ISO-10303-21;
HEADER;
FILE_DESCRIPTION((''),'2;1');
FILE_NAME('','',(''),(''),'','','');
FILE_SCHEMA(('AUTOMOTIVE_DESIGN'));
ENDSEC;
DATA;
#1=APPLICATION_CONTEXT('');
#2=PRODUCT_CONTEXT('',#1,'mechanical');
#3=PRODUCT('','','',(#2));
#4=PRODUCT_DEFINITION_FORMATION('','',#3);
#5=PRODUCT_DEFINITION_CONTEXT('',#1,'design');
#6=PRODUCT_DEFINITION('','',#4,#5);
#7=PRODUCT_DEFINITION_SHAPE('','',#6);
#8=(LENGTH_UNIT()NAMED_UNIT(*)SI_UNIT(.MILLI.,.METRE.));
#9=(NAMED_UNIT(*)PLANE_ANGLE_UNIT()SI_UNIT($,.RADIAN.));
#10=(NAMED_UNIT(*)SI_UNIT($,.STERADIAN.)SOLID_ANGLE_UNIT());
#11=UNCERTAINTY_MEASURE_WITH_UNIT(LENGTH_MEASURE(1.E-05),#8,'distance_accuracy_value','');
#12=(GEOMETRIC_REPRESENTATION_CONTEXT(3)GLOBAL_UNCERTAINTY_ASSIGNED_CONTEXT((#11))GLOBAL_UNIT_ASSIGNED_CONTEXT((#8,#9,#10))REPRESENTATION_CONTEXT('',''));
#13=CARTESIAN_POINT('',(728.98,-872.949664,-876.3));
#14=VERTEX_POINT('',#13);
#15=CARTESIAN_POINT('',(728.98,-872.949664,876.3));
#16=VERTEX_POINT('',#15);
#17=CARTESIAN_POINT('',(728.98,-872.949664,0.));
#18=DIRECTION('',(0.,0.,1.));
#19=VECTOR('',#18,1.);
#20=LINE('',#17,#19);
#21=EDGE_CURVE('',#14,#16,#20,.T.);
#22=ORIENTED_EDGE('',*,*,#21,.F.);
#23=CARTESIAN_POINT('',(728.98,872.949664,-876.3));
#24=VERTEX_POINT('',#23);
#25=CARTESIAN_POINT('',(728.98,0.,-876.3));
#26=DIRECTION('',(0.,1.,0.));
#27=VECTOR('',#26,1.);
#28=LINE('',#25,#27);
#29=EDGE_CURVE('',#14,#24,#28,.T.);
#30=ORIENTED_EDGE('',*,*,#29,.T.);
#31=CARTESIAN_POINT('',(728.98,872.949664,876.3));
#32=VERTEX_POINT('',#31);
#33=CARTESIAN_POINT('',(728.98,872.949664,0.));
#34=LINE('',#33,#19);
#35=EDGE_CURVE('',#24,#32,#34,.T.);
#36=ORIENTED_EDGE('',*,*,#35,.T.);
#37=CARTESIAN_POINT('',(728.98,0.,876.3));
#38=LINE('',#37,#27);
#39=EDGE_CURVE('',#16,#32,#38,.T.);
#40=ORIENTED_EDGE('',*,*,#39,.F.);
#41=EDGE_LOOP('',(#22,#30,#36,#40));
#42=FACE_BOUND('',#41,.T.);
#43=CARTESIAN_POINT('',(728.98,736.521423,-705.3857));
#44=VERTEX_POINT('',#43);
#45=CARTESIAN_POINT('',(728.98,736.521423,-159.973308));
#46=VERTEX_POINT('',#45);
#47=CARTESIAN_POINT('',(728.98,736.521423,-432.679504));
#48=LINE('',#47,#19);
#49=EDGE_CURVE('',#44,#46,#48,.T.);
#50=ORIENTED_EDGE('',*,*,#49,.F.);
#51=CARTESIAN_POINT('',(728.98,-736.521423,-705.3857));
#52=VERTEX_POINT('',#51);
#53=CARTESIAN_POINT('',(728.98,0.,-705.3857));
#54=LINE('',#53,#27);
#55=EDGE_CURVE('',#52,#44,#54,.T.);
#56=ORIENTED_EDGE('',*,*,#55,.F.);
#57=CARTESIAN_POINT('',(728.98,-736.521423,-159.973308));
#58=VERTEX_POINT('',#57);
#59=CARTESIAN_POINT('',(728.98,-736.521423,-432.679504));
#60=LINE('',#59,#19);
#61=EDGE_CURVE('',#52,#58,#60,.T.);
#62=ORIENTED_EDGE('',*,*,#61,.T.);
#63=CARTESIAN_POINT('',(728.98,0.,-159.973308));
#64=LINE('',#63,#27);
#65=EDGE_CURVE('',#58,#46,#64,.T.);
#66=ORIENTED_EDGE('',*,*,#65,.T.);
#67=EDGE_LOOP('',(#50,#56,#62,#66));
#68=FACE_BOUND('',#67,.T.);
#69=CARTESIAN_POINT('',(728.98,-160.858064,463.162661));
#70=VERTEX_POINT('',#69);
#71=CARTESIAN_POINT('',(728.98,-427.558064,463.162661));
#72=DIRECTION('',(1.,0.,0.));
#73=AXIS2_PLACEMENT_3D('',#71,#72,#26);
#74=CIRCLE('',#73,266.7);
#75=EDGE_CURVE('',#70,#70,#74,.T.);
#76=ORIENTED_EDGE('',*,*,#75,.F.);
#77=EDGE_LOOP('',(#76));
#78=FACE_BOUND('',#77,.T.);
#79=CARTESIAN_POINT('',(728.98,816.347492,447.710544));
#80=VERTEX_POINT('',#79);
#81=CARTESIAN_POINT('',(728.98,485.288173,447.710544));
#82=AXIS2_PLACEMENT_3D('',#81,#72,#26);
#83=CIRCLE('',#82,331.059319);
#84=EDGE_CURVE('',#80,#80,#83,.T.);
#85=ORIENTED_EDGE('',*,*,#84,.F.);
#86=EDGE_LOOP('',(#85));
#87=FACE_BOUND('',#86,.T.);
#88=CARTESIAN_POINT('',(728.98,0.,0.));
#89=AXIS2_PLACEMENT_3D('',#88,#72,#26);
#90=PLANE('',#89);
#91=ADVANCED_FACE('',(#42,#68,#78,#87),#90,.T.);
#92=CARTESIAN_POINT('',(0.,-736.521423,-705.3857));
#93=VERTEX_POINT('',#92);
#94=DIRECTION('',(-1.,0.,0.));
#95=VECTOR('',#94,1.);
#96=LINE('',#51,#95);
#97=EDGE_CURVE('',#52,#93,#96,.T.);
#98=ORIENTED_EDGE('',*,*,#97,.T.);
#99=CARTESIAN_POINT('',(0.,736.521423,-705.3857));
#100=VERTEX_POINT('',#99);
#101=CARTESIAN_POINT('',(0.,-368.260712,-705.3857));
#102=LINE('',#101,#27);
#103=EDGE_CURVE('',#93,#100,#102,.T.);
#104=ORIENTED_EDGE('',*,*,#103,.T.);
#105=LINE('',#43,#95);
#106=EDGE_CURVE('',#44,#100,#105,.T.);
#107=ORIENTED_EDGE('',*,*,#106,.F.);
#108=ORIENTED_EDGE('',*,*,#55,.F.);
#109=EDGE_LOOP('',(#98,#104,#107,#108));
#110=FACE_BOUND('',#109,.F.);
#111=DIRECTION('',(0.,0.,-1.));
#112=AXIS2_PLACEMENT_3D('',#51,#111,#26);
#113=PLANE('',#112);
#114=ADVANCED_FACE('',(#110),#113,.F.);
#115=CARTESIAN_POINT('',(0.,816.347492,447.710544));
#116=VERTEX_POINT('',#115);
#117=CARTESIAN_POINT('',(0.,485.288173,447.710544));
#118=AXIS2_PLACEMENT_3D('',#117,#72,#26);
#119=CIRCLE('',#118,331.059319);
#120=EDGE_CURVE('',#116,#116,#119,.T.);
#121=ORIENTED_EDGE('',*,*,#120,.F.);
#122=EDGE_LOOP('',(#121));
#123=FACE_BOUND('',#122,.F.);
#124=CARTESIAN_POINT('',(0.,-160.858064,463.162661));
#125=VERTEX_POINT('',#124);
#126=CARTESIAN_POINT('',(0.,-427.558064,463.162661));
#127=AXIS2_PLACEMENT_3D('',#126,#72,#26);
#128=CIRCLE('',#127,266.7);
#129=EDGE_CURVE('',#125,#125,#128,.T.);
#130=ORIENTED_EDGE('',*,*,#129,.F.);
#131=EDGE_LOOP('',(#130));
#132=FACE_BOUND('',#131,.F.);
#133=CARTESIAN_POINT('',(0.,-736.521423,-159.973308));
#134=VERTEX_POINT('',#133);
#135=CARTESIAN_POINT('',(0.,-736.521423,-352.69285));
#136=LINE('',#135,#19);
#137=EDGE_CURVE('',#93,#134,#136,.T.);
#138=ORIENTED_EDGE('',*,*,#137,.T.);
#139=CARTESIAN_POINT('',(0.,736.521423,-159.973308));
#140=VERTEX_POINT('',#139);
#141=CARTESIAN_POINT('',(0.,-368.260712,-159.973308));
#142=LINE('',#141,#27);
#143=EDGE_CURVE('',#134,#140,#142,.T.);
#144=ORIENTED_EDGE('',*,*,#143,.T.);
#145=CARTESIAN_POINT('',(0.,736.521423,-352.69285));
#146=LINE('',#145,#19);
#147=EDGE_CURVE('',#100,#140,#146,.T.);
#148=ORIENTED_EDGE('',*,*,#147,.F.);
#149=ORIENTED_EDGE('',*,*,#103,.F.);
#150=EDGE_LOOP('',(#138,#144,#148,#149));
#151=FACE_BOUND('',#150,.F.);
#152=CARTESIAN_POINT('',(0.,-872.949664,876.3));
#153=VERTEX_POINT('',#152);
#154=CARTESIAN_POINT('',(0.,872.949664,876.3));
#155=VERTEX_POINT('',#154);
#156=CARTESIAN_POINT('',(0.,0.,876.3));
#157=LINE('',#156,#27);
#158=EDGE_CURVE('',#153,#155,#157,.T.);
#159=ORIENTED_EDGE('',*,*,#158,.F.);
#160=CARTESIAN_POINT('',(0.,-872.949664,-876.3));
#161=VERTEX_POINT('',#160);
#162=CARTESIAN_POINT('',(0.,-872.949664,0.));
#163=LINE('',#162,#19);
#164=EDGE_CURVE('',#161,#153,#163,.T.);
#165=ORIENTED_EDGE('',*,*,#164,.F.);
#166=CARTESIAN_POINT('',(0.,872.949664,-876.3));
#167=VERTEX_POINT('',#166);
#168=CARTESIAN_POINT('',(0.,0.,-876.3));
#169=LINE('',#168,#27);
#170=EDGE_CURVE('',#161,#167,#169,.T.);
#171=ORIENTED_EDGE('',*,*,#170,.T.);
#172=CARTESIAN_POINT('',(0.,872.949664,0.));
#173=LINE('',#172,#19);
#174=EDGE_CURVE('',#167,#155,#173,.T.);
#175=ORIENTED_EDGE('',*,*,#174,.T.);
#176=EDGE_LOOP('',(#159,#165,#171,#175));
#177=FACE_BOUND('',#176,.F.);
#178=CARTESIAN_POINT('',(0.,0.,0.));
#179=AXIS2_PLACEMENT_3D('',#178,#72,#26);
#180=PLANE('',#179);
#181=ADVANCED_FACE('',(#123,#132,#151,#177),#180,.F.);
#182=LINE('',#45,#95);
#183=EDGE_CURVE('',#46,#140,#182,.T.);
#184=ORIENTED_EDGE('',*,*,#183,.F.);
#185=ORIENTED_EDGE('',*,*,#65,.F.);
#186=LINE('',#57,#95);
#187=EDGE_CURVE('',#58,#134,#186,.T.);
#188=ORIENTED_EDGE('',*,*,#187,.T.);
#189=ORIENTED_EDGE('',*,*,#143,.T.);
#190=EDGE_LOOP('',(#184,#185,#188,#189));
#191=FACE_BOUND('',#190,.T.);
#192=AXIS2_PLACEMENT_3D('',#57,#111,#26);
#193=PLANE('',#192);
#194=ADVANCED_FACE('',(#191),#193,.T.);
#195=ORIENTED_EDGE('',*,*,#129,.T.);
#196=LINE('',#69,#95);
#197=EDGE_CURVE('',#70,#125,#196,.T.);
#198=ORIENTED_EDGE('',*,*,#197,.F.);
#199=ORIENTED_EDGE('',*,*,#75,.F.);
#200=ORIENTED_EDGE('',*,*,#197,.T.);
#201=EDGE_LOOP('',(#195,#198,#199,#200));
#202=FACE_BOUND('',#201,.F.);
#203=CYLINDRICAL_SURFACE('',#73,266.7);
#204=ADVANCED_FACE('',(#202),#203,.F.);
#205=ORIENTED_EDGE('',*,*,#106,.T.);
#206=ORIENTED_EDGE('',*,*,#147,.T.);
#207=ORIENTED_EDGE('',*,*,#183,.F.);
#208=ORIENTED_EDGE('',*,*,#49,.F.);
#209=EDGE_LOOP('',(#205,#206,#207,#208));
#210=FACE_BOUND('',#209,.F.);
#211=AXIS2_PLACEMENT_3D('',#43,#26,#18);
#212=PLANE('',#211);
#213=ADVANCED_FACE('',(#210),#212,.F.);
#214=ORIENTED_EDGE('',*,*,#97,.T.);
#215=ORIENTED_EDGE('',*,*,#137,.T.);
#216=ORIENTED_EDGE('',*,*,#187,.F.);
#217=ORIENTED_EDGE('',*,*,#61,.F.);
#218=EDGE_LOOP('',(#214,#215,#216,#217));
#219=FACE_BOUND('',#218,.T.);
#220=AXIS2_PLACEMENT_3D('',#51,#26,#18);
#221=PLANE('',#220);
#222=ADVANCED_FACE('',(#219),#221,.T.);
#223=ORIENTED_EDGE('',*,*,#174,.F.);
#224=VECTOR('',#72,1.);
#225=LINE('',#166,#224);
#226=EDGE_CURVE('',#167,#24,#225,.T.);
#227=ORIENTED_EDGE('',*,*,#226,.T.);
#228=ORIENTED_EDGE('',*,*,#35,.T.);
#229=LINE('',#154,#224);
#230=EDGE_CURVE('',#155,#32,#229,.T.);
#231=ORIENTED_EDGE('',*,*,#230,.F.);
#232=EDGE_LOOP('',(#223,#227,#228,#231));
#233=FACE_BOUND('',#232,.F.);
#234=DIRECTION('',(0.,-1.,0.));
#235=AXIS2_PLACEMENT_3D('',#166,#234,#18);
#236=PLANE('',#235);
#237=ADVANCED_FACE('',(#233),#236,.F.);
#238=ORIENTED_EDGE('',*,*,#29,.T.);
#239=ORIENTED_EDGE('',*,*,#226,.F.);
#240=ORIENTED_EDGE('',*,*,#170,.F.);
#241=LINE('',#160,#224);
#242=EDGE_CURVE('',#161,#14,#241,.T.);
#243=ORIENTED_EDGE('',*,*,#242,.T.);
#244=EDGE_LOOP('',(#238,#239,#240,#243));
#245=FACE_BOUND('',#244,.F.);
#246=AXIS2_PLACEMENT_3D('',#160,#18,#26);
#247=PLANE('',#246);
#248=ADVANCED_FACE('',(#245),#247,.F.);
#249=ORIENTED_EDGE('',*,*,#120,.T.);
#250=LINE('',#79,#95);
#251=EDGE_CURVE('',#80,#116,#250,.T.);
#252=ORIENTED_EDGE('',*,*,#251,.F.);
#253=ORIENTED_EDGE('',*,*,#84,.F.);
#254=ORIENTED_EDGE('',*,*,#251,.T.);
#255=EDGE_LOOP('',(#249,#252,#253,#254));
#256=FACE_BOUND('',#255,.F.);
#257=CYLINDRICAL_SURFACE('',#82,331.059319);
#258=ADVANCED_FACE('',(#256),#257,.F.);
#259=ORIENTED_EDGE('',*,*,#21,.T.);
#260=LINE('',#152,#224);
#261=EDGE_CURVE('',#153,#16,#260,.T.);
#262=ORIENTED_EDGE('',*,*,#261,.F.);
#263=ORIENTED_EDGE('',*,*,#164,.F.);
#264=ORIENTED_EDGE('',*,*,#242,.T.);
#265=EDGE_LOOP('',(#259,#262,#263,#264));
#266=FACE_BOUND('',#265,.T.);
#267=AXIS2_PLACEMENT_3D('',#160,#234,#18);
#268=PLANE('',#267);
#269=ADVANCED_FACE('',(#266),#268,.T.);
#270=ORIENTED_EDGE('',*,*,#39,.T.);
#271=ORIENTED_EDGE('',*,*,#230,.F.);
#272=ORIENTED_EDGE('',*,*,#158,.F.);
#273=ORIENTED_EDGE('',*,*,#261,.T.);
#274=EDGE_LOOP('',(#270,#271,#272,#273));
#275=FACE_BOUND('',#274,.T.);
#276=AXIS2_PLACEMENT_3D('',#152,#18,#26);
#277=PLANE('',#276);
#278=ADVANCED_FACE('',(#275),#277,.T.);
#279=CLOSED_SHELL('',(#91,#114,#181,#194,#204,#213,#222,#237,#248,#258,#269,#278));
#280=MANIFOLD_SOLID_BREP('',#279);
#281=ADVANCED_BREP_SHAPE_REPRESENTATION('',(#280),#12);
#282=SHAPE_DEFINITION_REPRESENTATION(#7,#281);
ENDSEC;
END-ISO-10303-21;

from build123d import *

# Parameters (mm, degrees)
F0_W     = 1745.899328
F0_H     = 1752.6
F1_DEPTH = 728.98
F2_R     = 266.7
F3_DEPTH = 949.96
F4_W     = 1473.042846
F4_H     = 545.412392
F4_R     = 331.059319
F5_DEPTH = 1889.76


with BuildPart() as f1:
    # F0 (on Right) → F1 (new body)
    with BuildSketch(Plane.YZ):
        Rectangle(F0_W, F0_H)
    extrude(amount=F1_DEPTH)

    # F2 (on face) → F3 (cut)
    with BuildSketch(Plane.YZ.offset(728.98)):
        with Locations((-427.558064, 463.162661)):
            Circle(F2_R)
    extrude(amount=-F3_DEPTH, mode=Mode.SUBTRACT)

    # F4 (on face) → F5 (cut)
    with BuildSketch(Plane.YZ.offset(728.98)):
        with Locations((0, -432.679504)):
            Rectangle(F4_W, F4_H)
        with Locations((485.288173, 447.710544)):
            Circle(F4_R)
    extrude(amount=-F5_DEPTH, mode=Mode.SUBTRACT)


solid = f1.part
